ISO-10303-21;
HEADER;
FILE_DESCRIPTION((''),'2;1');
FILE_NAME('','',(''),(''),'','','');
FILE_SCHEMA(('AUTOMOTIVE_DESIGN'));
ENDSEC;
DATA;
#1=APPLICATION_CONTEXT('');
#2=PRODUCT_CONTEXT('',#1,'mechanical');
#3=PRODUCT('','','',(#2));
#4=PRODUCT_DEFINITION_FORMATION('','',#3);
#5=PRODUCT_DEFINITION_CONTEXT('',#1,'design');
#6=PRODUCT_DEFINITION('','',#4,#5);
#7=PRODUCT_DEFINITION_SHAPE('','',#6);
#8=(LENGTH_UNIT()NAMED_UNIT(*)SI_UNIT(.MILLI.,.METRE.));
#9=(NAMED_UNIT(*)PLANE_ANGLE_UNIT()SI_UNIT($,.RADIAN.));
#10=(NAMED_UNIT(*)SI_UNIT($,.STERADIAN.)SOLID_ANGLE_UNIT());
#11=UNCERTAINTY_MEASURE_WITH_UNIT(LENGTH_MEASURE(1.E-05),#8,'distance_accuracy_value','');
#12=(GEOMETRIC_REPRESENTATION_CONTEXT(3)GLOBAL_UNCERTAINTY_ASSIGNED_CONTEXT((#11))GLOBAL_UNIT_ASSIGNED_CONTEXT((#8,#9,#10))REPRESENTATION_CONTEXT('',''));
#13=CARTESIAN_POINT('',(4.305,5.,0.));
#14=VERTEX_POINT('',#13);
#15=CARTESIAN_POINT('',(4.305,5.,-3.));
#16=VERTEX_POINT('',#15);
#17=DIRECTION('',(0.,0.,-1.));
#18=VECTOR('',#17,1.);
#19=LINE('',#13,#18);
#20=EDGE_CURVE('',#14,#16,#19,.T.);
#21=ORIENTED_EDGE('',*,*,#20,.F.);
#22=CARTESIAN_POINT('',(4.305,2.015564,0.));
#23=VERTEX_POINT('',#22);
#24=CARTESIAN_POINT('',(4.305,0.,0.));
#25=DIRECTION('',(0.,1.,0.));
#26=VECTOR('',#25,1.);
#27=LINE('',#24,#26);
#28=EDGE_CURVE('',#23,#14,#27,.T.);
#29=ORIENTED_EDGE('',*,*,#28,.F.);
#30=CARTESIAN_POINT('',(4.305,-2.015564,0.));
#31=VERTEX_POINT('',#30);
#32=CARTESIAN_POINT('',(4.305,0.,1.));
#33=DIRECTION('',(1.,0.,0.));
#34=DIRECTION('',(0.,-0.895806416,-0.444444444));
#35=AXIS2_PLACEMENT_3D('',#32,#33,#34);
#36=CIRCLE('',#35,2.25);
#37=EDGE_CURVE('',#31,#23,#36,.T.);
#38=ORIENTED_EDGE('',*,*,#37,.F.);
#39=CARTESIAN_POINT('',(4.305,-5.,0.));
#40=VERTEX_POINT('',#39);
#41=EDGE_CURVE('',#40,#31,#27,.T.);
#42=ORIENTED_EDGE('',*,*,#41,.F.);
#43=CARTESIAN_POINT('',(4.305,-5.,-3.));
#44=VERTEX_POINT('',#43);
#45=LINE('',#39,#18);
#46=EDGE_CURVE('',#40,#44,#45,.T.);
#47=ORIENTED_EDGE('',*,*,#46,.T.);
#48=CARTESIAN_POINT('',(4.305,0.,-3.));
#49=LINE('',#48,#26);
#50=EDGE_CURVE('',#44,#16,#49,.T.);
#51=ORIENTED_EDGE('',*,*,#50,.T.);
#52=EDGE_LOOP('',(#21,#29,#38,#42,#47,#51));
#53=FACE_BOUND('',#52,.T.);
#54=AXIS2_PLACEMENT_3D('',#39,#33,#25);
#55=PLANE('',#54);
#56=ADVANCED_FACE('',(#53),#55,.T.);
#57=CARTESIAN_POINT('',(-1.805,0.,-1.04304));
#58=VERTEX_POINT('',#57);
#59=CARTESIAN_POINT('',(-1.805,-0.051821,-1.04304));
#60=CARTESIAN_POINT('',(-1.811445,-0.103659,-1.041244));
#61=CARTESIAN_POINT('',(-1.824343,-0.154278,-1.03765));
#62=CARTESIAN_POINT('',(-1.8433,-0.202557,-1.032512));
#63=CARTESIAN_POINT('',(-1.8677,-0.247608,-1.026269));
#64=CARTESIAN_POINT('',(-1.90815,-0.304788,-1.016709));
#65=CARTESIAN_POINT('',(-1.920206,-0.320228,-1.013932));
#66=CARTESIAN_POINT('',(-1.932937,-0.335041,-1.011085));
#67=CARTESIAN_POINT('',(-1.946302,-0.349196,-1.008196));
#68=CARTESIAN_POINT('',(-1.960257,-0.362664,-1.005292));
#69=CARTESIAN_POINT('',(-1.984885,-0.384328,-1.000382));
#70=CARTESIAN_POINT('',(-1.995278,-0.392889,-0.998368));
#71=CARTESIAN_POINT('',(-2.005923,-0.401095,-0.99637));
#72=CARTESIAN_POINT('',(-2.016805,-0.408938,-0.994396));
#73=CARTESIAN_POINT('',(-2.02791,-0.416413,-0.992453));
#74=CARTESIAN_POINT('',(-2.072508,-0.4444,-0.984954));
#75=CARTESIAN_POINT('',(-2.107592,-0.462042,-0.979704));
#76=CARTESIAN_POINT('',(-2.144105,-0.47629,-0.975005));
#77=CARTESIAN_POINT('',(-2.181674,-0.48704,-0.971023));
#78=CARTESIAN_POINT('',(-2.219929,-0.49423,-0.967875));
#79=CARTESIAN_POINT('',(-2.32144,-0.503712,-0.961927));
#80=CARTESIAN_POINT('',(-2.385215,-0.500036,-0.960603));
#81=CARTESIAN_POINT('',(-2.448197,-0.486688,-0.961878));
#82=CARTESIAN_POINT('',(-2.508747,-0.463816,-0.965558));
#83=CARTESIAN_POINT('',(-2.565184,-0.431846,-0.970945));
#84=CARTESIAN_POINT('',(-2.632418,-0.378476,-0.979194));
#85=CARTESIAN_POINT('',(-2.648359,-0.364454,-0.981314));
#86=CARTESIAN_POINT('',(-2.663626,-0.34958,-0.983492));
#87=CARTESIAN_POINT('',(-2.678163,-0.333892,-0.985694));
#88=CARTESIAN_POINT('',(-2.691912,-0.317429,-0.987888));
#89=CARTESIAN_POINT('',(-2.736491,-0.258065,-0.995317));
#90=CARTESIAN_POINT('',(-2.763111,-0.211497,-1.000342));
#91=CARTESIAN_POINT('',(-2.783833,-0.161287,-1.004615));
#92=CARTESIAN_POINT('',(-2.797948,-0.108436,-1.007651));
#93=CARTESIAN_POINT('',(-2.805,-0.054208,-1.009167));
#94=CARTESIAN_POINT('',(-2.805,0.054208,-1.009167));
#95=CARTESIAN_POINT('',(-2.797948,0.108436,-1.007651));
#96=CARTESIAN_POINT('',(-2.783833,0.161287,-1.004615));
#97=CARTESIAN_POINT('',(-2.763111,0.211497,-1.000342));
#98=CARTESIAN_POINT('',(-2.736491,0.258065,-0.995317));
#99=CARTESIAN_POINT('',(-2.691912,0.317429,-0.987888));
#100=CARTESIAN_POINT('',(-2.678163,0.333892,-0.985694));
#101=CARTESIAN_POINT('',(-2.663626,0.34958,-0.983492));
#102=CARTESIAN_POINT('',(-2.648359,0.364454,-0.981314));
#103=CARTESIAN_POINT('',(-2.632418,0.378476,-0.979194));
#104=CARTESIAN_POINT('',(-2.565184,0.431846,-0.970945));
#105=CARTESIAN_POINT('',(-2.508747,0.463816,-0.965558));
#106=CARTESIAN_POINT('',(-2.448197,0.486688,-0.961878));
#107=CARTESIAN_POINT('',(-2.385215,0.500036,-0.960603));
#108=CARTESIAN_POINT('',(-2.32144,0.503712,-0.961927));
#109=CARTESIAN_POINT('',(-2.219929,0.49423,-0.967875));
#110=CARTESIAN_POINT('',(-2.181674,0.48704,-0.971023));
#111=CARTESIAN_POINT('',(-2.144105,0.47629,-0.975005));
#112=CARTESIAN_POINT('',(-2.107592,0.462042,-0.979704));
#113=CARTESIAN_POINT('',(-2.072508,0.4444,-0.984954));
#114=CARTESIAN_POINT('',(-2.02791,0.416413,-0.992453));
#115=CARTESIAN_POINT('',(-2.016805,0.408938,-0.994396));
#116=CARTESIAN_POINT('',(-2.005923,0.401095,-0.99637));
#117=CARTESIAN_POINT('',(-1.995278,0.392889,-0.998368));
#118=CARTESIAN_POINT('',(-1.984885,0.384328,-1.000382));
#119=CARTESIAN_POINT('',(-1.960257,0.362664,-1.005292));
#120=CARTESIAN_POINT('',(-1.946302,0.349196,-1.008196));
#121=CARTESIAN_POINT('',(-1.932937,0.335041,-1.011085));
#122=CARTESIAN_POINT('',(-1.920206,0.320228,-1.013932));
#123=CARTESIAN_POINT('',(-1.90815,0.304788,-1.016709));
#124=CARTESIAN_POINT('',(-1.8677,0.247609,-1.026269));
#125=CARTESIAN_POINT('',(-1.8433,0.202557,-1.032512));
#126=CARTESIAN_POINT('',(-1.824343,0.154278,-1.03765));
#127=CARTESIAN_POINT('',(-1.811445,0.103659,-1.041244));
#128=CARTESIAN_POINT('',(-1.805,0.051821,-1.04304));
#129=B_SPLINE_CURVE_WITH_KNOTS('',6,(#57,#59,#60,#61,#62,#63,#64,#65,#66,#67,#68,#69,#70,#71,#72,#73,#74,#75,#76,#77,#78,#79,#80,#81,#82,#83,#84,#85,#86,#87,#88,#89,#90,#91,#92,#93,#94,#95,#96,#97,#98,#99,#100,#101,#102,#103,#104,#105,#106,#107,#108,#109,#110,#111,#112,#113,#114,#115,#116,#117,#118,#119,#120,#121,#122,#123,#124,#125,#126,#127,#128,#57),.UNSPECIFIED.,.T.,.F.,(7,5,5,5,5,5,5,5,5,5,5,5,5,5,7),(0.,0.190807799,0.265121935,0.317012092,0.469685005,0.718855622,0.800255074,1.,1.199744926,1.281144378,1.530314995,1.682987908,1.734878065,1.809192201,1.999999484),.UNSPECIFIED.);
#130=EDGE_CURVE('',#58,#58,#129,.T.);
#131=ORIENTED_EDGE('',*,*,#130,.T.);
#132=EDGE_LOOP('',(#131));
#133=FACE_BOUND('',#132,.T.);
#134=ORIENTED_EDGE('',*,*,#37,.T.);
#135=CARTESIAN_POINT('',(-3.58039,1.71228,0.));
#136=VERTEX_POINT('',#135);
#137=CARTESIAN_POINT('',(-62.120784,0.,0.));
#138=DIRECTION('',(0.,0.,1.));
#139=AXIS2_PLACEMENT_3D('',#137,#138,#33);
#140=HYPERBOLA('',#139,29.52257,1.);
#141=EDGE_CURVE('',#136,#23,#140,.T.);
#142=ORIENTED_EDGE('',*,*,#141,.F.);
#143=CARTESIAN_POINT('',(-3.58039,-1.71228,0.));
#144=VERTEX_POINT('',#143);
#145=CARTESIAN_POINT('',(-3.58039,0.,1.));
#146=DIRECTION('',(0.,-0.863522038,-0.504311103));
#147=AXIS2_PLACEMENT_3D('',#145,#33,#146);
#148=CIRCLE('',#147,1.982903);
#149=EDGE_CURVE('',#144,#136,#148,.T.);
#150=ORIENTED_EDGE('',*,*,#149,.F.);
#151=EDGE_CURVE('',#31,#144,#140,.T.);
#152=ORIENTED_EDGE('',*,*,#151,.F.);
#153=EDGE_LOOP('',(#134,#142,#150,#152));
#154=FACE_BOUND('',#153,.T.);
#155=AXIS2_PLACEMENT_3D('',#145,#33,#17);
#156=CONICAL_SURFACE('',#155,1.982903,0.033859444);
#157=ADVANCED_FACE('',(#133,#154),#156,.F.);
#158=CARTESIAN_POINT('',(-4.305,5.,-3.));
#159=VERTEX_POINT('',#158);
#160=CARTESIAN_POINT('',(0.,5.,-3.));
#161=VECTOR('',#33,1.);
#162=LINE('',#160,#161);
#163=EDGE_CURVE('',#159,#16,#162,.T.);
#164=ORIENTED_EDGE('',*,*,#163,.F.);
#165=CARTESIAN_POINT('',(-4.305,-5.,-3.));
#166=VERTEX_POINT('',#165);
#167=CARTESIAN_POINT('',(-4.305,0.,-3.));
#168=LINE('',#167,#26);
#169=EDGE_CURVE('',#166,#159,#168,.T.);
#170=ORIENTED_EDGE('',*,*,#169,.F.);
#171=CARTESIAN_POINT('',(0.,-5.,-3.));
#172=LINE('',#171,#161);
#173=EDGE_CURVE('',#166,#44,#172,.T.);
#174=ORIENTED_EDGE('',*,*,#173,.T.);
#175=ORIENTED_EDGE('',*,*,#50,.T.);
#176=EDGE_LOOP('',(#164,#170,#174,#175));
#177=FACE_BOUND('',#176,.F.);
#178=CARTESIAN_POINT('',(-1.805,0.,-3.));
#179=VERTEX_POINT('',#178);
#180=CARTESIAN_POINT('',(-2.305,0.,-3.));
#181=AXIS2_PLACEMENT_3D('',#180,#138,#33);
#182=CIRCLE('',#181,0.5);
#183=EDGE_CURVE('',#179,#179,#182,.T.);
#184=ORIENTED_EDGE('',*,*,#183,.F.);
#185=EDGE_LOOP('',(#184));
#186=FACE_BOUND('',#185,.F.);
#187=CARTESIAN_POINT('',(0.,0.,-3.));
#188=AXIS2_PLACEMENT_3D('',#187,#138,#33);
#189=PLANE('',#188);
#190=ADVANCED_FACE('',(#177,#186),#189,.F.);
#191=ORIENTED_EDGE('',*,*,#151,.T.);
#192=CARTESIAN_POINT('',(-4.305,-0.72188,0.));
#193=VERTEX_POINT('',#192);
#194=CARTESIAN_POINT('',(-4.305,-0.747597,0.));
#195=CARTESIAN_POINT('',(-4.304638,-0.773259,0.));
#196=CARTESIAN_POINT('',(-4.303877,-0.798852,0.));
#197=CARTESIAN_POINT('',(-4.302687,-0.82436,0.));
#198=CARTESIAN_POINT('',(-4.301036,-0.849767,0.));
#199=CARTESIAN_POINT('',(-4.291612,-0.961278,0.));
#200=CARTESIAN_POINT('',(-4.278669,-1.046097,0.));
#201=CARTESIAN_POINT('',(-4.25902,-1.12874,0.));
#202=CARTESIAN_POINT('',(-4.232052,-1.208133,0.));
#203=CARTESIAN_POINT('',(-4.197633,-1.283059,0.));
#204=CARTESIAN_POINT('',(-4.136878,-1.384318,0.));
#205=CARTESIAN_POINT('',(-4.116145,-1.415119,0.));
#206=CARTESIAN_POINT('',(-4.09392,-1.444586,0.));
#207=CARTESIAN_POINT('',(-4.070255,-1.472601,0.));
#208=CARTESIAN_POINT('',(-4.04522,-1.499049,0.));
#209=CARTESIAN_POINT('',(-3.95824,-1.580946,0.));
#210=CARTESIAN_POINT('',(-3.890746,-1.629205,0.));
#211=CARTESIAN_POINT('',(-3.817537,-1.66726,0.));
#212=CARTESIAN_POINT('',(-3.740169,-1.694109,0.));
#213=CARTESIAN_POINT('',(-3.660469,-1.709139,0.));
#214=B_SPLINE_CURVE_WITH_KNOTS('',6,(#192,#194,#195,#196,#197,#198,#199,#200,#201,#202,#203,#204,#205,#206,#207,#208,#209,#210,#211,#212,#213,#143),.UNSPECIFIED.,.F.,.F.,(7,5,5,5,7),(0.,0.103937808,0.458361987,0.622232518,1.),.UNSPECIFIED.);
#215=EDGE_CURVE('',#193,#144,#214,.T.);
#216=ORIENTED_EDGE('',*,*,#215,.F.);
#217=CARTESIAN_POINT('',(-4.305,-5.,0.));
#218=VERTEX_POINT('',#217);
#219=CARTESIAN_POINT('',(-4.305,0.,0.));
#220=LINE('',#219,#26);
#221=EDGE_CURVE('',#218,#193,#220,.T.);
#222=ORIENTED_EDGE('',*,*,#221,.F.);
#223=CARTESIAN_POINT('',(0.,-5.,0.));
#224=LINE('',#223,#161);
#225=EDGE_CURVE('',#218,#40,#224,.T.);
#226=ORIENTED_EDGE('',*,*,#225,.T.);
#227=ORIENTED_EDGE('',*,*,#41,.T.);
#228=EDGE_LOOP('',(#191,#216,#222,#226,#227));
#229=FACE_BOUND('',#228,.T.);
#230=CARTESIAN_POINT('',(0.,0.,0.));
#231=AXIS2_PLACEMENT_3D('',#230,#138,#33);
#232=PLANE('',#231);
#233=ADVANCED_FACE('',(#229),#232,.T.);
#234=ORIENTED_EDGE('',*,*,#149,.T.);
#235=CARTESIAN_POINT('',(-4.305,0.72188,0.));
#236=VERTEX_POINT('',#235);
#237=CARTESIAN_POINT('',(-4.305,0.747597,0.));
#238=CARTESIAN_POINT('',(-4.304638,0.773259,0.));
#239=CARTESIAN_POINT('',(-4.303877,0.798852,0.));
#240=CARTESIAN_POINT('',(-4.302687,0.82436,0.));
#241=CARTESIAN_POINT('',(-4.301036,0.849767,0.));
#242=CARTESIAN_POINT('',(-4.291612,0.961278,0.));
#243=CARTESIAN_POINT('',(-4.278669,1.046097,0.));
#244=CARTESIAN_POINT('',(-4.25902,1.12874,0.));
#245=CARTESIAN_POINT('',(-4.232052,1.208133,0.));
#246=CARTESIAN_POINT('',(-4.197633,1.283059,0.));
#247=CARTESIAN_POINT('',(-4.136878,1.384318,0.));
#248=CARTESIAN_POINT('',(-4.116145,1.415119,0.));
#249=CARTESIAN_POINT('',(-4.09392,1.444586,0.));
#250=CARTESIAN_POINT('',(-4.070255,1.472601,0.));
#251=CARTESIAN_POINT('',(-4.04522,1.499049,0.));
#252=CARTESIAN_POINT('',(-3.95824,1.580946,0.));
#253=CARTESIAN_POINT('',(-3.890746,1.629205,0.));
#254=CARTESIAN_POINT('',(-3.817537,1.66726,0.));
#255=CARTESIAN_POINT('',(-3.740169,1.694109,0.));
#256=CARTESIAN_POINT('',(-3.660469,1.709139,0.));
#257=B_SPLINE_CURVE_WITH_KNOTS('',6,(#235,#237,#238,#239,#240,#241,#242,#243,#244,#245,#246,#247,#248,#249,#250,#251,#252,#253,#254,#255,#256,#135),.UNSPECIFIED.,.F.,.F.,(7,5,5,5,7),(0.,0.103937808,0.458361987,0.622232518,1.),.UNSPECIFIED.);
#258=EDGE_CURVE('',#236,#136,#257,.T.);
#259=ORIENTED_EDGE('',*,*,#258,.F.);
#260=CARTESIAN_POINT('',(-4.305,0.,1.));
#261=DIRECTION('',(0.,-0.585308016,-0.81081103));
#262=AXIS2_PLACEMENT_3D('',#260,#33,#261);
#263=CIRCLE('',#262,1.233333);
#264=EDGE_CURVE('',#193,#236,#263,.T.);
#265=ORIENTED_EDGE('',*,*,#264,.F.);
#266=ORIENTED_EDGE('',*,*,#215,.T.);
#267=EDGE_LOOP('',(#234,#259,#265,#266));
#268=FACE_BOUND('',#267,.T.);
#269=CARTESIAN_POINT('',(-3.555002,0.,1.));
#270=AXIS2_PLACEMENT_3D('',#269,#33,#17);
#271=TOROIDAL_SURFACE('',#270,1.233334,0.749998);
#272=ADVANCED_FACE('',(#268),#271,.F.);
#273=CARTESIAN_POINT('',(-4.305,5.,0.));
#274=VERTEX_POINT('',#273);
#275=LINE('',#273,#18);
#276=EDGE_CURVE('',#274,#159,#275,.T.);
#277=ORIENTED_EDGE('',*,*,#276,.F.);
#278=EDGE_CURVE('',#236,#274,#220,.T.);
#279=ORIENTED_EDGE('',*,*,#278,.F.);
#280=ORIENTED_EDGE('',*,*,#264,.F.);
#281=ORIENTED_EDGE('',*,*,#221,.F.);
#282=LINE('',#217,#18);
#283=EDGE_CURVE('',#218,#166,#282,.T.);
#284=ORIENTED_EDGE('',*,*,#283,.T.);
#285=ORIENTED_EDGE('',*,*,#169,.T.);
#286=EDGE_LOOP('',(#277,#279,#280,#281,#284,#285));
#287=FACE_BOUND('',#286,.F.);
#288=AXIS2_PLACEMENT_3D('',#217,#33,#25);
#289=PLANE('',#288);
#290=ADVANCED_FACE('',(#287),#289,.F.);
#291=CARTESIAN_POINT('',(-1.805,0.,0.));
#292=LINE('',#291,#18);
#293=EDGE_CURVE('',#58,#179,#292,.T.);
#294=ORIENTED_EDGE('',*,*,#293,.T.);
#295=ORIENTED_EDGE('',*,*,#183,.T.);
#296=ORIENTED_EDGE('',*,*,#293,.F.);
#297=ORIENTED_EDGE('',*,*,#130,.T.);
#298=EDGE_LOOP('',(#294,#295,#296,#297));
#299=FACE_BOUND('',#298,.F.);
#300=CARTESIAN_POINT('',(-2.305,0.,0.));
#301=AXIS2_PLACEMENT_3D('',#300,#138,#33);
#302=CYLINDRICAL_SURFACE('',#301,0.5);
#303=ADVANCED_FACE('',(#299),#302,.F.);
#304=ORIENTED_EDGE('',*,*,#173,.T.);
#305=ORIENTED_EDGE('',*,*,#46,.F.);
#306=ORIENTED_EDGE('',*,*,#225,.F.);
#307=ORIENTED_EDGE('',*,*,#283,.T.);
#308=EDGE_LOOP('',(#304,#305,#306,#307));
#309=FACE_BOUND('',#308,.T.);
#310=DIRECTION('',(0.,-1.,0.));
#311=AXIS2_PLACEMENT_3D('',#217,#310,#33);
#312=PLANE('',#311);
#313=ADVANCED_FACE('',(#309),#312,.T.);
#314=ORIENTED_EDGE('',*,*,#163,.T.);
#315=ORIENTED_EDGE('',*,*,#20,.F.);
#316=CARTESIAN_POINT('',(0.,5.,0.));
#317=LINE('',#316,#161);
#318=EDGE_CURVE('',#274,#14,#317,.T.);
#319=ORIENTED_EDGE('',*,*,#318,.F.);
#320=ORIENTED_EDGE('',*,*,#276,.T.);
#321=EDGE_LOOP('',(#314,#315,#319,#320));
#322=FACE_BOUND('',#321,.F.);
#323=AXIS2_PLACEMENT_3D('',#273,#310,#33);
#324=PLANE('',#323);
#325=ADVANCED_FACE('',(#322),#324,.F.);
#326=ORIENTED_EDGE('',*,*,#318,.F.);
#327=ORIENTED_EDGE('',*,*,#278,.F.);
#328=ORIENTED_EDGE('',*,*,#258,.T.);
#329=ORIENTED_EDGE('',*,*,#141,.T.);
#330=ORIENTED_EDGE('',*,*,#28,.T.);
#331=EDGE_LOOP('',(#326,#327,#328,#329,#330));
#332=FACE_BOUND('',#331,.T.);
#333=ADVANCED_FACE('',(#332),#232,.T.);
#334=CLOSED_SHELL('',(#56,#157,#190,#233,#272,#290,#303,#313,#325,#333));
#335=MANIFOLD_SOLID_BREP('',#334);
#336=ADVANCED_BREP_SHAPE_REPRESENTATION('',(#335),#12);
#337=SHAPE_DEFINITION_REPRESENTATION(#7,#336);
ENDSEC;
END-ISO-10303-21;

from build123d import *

# Parameters (mm, degrees)
F0_W     = 8.61
F0_H     = 10
F1_DEPTH = 3
F4_R     = 0.5
F5_DEPTH = 25


with BuildPart() as f1:
    # F0 (on Top) → F1 (new body)
    with BuildSketch(Plane.XY):
        Rectangle(F0_W, F0_H)
    extrude(amount=-F1_DEPTH)

    # F2 (on Front) → F3 (revolve, cut)
    with BuildSketch(Plane.XZ):
        with BuildLine():
            ThreePointArc((-4.305, -0.233333), (-4.094232, -0.75461), (-3.58039, -0.982903))
            Line((-3.58039, -0.982903), (4.305, -1.25))
            Line((4.305, -1.25), (4.305, 1))
            Line((4.305, 1), (-4.305, 1))
            Line((-4.305, 1), (-4.305, -0.233333))
        make_face()
    revolve(axis=Axis((0, 0, 1), (-1, 0, 0)), mode=Mode.SUBTRACT)

    # F4 (on face) → F5 (cut)
    with BuildSketch(Plane.XY):
        with Locations((-2.305, 0)):
            Circle(F4_R)
    extrude(amount=-F5_DEPTH, mode=Mode.SUBTRACT)


solid = f1.part
